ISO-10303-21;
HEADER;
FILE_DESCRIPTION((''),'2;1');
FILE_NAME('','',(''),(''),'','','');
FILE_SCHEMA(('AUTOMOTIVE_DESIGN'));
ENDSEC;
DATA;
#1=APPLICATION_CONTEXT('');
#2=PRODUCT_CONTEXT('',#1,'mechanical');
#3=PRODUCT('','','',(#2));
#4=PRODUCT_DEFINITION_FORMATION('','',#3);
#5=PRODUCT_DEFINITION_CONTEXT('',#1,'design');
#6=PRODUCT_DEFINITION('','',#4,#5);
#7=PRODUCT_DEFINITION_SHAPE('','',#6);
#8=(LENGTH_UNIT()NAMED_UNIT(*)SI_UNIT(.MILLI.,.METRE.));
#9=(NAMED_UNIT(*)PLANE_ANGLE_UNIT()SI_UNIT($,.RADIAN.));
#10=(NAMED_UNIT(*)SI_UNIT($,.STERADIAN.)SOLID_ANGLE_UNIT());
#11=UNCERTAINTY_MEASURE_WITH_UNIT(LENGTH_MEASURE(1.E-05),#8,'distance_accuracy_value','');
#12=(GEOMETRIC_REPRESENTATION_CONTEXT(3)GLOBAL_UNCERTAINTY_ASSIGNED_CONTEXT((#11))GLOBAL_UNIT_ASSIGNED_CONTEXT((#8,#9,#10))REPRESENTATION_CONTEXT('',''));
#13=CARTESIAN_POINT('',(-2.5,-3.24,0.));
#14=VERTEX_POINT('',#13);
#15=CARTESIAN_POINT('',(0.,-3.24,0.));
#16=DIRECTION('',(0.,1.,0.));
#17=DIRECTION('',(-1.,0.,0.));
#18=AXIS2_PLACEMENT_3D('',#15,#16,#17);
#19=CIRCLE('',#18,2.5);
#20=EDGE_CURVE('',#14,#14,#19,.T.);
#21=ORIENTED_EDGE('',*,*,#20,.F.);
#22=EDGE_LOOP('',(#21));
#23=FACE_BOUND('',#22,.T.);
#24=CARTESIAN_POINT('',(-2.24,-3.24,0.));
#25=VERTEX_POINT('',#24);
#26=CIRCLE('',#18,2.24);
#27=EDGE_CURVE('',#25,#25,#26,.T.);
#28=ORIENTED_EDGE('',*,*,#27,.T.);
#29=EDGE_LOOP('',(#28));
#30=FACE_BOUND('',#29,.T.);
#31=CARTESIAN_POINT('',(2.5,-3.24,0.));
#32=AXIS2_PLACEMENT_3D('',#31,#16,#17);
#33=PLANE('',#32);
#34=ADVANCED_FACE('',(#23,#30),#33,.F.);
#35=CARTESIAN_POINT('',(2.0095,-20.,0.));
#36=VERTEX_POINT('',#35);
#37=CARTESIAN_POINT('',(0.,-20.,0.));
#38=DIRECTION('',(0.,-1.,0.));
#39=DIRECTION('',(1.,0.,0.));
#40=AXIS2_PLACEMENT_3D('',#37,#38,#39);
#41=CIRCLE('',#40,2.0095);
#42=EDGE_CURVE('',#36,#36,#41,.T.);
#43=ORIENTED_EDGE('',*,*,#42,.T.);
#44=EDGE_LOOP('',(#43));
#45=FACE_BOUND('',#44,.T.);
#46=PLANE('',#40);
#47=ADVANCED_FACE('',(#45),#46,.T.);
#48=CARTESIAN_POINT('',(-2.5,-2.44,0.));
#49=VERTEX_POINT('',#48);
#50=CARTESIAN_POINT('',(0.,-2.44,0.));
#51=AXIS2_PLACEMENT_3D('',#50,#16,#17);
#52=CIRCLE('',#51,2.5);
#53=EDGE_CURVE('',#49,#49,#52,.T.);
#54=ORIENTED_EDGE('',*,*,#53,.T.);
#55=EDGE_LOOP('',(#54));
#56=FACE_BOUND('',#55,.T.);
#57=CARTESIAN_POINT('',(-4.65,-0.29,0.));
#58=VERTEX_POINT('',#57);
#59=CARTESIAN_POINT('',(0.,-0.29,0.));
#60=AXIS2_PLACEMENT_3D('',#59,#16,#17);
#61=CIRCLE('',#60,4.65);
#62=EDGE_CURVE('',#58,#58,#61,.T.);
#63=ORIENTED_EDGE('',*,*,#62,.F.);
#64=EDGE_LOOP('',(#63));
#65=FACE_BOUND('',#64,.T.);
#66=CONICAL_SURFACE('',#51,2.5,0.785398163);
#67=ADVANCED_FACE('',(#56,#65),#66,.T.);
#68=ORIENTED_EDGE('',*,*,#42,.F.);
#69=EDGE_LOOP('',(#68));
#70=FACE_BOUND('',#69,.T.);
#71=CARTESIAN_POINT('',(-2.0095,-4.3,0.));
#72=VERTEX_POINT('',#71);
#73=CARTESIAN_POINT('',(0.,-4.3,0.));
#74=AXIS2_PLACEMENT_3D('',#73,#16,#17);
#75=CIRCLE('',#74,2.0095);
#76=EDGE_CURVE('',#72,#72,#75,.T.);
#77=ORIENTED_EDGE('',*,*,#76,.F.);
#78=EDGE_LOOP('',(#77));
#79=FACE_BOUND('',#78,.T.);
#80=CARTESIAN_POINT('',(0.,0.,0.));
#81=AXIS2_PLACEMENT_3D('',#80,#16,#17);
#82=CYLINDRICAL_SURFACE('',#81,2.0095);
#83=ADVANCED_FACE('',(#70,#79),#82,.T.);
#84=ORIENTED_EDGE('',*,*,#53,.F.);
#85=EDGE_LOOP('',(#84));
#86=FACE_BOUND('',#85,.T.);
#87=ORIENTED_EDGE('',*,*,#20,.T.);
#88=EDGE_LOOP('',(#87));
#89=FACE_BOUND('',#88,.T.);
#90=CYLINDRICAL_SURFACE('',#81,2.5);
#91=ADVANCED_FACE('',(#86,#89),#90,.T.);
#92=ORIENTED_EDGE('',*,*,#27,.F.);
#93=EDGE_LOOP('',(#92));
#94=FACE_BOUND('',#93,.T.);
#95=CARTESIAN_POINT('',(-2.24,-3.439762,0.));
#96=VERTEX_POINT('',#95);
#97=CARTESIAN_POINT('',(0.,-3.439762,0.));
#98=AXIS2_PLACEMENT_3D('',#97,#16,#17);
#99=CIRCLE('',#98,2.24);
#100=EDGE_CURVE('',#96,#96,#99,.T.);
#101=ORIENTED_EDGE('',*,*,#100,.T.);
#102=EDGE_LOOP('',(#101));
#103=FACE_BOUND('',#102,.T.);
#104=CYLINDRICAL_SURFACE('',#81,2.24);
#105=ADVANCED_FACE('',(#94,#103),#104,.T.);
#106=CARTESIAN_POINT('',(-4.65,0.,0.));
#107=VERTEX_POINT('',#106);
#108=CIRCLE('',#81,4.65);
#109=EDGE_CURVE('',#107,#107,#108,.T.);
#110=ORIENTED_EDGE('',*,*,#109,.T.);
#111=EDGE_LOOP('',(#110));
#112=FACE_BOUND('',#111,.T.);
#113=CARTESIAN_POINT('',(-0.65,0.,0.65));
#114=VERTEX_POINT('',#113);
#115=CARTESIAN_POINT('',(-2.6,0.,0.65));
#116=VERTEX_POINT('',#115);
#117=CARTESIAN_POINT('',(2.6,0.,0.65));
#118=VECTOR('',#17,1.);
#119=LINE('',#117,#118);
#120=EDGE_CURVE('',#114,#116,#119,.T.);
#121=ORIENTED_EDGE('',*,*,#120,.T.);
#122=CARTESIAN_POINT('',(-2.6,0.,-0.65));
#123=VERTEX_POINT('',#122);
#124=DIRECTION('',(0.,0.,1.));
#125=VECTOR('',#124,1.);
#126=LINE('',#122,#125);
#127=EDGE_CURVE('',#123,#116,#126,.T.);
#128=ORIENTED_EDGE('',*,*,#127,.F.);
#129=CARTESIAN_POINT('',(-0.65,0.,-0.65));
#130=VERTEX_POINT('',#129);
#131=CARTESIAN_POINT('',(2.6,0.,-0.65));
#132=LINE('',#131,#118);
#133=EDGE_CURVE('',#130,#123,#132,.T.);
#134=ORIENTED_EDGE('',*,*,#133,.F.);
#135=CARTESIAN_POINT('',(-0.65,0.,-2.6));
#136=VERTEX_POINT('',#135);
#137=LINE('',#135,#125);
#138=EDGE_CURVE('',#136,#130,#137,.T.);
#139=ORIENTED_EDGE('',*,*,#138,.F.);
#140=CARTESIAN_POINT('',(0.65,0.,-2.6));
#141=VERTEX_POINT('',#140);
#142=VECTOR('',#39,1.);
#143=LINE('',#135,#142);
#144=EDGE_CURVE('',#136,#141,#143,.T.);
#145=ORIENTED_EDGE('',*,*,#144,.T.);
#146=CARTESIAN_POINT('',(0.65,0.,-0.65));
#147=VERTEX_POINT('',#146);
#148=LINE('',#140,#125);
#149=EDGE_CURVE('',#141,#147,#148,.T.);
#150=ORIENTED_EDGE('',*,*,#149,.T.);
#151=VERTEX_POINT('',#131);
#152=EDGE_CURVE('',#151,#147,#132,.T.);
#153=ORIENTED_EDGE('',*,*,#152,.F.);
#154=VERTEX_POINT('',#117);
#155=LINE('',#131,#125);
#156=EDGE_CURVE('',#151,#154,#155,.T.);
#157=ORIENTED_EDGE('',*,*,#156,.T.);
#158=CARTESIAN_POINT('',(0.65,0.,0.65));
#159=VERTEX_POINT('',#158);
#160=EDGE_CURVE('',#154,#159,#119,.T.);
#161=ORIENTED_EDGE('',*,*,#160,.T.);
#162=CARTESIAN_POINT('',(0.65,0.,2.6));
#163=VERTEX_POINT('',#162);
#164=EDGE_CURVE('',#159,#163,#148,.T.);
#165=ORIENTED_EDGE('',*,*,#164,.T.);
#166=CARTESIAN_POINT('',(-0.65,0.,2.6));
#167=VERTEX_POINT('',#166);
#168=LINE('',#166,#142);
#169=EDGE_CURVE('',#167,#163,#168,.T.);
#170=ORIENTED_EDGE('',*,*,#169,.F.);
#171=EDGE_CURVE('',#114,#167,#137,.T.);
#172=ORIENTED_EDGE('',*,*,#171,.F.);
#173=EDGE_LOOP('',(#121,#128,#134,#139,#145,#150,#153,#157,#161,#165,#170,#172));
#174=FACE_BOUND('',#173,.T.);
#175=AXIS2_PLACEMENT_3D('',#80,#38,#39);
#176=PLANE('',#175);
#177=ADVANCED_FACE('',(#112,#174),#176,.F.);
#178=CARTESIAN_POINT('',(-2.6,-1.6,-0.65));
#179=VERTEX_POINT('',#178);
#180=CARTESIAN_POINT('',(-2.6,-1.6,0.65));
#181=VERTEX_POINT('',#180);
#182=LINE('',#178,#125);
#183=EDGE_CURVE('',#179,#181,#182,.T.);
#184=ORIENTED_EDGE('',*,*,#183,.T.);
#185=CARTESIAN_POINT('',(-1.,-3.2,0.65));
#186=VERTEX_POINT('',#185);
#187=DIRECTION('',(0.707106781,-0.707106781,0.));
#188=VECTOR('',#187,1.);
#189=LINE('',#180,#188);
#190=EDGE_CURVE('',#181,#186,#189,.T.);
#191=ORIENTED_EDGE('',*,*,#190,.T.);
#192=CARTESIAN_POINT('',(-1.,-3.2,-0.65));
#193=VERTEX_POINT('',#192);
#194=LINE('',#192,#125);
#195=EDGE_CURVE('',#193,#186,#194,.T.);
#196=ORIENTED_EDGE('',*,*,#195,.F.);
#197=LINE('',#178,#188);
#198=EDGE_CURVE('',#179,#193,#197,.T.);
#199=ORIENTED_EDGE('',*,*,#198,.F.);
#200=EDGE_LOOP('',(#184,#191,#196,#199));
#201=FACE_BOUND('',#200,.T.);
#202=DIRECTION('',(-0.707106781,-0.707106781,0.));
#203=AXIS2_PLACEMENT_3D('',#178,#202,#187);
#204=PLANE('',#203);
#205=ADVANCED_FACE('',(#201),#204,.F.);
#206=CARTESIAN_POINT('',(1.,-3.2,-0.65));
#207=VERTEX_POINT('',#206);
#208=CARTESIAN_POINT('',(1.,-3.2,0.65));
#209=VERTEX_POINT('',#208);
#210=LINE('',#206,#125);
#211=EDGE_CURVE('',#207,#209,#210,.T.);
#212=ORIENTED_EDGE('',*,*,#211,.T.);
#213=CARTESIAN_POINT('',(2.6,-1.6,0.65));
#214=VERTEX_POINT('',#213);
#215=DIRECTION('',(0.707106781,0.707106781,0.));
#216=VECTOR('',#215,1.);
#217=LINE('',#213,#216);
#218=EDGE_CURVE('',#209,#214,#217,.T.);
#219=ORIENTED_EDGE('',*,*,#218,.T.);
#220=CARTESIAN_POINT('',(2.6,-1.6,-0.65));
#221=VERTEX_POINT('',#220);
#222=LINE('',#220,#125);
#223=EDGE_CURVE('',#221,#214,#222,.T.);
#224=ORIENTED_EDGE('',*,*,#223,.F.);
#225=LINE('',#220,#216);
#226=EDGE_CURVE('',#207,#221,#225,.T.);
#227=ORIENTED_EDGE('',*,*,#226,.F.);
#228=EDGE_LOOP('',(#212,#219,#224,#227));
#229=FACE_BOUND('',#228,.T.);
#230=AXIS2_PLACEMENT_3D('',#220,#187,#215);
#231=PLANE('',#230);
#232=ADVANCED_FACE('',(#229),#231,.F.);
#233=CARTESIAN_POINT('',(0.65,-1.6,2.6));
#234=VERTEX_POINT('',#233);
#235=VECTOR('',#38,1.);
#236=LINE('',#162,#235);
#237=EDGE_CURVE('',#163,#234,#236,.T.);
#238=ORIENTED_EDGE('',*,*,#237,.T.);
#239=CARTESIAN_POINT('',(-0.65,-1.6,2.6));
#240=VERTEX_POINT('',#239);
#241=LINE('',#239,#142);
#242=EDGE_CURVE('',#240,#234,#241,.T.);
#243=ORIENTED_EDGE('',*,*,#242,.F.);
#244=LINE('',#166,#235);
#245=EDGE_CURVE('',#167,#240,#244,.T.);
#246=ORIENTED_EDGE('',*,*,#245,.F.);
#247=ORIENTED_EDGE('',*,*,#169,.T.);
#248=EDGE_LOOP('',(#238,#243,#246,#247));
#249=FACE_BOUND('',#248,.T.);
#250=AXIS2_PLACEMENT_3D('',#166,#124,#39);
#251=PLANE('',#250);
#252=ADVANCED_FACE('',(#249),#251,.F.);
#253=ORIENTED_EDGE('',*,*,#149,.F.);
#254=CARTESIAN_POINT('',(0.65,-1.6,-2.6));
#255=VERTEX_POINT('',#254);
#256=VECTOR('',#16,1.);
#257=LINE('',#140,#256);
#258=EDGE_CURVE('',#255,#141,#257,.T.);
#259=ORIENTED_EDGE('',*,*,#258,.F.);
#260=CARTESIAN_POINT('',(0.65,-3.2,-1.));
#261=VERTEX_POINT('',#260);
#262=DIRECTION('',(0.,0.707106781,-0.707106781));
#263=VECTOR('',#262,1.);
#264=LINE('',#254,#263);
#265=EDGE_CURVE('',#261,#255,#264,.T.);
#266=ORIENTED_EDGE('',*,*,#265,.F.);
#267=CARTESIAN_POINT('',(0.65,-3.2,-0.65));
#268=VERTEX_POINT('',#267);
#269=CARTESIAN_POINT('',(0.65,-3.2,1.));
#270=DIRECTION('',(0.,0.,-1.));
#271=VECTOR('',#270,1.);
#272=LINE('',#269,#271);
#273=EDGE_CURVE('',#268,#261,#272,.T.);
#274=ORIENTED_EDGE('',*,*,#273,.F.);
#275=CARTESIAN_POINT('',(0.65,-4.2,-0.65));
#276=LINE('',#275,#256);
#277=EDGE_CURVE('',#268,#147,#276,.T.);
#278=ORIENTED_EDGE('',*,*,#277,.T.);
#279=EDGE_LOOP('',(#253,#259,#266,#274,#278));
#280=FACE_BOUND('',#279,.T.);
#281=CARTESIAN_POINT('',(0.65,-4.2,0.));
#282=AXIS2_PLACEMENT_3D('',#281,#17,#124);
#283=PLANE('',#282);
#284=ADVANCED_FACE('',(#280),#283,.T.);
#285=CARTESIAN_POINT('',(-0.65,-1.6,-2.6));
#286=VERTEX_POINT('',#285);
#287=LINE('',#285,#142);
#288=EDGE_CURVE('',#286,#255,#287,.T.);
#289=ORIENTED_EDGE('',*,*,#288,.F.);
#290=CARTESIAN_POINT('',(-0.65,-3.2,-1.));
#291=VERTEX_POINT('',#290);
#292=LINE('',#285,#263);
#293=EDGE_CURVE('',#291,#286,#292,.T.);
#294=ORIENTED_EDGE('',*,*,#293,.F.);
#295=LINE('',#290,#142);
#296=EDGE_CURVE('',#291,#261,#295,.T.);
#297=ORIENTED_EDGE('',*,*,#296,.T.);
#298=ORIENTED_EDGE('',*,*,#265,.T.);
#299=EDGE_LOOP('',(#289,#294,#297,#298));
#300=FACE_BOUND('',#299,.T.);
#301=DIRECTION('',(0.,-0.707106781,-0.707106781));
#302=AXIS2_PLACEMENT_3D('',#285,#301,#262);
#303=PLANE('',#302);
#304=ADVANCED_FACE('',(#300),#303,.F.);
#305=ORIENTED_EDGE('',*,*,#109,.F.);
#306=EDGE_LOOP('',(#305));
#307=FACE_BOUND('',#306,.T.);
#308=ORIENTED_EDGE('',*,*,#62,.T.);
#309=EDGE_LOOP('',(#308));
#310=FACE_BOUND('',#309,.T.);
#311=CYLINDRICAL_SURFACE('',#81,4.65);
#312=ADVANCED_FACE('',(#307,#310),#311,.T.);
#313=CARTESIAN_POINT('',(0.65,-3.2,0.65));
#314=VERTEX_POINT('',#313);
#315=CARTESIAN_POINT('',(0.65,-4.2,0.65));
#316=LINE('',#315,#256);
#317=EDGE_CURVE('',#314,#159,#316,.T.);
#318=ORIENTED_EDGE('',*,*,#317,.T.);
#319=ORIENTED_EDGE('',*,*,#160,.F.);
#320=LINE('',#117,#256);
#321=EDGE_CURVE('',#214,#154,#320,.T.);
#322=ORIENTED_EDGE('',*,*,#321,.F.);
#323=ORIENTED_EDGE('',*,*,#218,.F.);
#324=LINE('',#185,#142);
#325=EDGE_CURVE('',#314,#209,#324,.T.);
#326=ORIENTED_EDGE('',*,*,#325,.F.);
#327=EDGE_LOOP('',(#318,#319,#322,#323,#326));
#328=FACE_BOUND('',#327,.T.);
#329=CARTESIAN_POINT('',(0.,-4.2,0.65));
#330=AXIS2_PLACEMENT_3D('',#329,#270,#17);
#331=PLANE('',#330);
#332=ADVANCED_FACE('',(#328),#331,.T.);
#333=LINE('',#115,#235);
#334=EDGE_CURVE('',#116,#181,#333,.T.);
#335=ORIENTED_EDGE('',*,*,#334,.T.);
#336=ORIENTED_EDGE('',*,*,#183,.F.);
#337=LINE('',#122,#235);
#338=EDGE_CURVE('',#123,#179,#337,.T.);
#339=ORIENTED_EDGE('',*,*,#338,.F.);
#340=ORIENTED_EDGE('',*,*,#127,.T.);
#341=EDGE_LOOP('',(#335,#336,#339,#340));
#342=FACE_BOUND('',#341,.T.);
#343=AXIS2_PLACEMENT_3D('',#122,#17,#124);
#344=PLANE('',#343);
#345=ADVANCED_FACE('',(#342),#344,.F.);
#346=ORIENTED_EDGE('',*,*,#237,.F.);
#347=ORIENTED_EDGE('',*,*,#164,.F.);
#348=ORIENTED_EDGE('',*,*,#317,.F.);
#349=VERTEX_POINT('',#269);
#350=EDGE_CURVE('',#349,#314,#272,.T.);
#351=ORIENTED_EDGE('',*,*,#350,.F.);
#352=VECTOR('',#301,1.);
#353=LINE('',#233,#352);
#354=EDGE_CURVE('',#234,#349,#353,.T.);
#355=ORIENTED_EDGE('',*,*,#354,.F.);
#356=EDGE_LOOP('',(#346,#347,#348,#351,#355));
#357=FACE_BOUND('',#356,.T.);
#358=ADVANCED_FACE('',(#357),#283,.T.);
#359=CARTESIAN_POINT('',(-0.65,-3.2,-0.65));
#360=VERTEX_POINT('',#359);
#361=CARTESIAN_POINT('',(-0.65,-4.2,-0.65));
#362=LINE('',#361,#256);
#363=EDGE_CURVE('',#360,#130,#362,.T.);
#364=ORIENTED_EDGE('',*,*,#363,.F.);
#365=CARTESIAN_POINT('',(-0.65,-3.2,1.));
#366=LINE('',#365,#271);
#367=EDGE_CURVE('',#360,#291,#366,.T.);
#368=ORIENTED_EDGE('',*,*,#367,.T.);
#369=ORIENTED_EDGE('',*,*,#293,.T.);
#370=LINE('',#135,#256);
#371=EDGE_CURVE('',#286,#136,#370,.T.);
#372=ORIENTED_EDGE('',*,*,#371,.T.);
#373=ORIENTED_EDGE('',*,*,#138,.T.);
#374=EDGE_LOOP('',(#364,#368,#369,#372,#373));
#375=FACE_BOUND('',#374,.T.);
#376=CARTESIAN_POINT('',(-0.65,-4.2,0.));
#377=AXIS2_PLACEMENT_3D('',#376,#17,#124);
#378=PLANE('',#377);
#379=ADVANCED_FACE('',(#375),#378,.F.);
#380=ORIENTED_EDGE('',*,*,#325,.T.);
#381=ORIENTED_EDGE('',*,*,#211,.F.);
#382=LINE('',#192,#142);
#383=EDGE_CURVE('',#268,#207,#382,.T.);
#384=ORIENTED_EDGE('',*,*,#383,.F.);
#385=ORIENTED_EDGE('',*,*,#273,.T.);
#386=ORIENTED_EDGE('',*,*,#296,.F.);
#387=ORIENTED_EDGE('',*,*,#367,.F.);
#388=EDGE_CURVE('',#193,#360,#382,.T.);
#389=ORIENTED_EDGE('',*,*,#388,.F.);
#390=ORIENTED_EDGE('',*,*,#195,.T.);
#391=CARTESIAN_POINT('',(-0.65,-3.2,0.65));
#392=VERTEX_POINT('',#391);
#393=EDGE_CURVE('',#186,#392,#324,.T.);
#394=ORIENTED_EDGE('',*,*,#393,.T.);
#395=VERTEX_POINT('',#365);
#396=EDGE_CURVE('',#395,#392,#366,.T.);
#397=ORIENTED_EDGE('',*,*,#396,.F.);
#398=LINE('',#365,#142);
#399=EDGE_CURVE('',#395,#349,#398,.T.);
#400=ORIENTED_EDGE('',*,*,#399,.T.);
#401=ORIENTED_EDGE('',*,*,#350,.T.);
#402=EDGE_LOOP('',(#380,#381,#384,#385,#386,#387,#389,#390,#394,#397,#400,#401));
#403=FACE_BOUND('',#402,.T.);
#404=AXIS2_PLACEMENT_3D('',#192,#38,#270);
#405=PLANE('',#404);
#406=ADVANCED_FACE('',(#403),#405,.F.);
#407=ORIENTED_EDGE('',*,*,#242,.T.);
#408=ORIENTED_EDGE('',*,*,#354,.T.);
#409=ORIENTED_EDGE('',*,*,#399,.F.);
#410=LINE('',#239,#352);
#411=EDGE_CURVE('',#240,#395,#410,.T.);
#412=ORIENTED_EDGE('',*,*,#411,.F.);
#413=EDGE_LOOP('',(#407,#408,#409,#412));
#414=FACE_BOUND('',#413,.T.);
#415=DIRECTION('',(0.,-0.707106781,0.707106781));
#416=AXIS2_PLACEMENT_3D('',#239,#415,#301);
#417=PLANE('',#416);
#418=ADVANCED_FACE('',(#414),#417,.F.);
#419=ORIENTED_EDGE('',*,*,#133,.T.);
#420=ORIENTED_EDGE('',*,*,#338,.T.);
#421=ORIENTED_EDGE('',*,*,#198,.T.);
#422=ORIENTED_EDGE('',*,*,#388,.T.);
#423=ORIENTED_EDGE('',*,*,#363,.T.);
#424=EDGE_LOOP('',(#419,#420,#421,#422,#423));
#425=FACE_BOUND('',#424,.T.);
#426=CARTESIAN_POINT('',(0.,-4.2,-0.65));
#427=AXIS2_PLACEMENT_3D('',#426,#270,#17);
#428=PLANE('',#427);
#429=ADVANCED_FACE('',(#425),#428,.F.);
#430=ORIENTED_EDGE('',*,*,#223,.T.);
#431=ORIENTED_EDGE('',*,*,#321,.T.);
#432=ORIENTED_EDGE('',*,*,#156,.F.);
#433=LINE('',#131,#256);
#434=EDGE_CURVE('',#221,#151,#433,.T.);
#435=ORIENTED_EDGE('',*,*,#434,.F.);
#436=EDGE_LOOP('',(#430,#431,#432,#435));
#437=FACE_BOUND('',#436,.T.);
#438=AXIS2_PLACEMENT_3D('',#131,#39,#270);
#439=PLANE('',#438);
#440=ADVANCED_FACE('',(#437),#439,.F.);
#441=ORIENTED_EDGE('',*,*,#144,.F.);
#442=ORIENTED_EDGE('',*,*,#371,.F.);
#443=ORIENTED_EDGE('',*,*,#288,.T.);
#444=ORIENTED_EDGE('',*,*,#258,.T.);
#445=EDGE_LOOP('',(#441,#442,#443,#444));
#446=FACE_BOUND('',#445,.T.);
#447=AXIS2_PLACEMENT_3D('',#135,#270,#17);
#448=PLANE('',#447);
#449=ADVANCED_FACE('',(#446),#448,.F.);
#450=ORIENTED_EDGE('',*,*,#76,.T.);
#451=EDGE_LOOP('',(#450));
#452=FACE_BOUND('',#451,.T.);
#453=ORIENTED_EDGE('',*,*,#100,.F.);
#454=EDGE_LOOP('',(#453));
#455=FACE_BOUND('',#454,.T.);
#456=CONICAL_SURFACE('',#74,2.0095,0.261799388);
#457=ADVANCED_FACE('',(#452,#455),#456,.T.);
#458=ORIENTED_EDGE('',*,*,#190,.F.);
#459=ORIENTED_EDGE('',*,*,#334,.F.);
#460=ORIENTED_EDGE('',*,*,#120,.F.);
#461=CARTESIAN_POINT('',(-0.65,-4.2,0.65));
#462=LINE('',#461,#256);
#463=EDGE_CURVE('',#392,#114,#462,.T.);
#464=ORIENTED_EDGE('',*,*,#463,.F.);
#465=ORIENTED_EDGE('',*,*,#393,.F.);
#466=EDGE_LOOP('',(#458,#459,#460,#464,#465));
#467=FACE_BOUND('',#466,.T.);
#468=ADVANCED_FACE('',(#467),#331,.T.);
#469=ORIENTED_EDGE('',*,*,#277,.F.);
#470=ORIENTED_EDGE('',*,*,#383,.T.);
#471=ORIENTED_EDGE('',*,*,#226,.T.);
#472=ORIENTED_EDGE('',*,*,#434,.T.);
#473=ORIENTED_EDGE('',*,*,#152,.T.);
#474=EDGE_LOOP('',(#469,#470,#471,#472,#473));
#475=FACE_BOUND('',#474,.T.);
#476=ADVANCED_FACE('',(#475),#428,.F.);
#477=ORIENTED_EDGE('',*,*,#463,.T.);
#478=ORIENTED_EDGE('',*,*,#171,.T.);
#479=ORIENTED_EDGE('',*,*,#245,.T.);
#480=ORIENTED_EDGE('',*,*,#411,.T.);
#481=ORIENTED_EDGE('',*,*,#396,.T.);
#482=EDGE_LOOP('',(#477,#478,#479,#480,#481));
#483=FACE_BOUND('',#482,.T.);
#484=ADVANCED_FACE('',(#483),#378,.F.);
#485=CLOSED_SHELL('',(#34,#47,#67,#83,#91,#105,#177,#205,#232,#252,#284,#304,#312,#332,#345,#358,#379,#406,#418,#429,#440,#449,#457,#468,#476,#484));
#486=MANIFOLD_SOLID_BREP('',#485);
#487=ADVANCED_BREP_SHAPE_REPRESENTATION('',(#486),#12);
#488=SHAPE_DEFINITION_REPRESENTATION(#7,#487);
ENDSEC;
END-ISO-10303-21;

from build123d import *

# Parameters (mm, degrees)
KREUZSCHLITZ1_H_DEPTH      = 0.65
KREUZSCHLITZ1_H_DEPTH_BACK = 0.65
KREUZSCHLITZ2_H_DEPTH      = 0.65
KREUZSCHLITZ2_H_DEPTH_BACK = 0.65
BOSS_EXTRUDE1_START        = 4
SKETCH1_R                  = 2.0095
BOSS_EXTRUDE1_DEPTH        = 4


with BuildPart() as part:
    # Skizze1 → Basis-Rotation (revolve)
    with BuildSketch(Plane.XY, mode=Mode.PRIVATE) as basis_rotation_sk:
        Polygon((0, 0), (4.65, 0), (4.65, -0.29), (2.5, -2.44), (2.5, -3.24), (2.24, -3.24), (2.24, -3.439762289), (2.0095, -4.3), (2.0095, -16), (0, -16), align=None)
    revolve(basis_rotation_sk.sketch.rotate(Axis((0, 0, 0), (0, -1, 0)), 180), axis=Axis((0, 0, 0), (0, -1, 0)))

    # Skizze2 → Kreuzschlitz1 H (cut, two sides: drawn at the far end of the back side and taken through both)
    with BuildSketch(Plane.XY.offset(-KREUZSCHLITZ1_H_DEPTH_BACK)):
        Polygon((-1, -3.2), (1, -3.2), (2.6, -1.6), (2.6, 0), (-2.6, 0), (-2.6, -1.6), align=None)
    extrude(amount=KREUZSCHLITZ1_H_DEPTH + KREUZSCHLITZ1_H_DEPTH_BACK, mode=Mode.SUBTRACT)

    # Skizze3 → Kreuzschlitz2 H (cut, two sides: drawn at the far end of the back side and taken through both)
    with BuildSketch(Plane(origin=(0, 0, 0), x_dir=(0, 0, -1), z_dir=(1, 0, 0)).offset(-KREUZSCHLITZ2_H_DEPTH_BACK)):
        Polygon((-1, -3.2), (1, -3.2), (2.6, -1.6), (2.6, 0), (-2.6, 0), (-2.6, -1.6), align=None)
    extrude(amount=KREUZSCHLITZ2_H_DEPTH + KREUZSCHLITZ2_H_DEPTH_BACK, mode=Mode.SUBTRACT)

    # Sketch1 → Boss-Extrude1 (add)
    with BuildSketch(Plane.XZ.offset(16).offset(BOSS_EXTRUDE1_START)):
        with Locations(Location((0, 0, 0), (0, 0, 180))):
            Circle(SKETCH1_R)
    extrude(amount=-BOSS_EXTRUDE1_DEPTH)


solid = part.part
